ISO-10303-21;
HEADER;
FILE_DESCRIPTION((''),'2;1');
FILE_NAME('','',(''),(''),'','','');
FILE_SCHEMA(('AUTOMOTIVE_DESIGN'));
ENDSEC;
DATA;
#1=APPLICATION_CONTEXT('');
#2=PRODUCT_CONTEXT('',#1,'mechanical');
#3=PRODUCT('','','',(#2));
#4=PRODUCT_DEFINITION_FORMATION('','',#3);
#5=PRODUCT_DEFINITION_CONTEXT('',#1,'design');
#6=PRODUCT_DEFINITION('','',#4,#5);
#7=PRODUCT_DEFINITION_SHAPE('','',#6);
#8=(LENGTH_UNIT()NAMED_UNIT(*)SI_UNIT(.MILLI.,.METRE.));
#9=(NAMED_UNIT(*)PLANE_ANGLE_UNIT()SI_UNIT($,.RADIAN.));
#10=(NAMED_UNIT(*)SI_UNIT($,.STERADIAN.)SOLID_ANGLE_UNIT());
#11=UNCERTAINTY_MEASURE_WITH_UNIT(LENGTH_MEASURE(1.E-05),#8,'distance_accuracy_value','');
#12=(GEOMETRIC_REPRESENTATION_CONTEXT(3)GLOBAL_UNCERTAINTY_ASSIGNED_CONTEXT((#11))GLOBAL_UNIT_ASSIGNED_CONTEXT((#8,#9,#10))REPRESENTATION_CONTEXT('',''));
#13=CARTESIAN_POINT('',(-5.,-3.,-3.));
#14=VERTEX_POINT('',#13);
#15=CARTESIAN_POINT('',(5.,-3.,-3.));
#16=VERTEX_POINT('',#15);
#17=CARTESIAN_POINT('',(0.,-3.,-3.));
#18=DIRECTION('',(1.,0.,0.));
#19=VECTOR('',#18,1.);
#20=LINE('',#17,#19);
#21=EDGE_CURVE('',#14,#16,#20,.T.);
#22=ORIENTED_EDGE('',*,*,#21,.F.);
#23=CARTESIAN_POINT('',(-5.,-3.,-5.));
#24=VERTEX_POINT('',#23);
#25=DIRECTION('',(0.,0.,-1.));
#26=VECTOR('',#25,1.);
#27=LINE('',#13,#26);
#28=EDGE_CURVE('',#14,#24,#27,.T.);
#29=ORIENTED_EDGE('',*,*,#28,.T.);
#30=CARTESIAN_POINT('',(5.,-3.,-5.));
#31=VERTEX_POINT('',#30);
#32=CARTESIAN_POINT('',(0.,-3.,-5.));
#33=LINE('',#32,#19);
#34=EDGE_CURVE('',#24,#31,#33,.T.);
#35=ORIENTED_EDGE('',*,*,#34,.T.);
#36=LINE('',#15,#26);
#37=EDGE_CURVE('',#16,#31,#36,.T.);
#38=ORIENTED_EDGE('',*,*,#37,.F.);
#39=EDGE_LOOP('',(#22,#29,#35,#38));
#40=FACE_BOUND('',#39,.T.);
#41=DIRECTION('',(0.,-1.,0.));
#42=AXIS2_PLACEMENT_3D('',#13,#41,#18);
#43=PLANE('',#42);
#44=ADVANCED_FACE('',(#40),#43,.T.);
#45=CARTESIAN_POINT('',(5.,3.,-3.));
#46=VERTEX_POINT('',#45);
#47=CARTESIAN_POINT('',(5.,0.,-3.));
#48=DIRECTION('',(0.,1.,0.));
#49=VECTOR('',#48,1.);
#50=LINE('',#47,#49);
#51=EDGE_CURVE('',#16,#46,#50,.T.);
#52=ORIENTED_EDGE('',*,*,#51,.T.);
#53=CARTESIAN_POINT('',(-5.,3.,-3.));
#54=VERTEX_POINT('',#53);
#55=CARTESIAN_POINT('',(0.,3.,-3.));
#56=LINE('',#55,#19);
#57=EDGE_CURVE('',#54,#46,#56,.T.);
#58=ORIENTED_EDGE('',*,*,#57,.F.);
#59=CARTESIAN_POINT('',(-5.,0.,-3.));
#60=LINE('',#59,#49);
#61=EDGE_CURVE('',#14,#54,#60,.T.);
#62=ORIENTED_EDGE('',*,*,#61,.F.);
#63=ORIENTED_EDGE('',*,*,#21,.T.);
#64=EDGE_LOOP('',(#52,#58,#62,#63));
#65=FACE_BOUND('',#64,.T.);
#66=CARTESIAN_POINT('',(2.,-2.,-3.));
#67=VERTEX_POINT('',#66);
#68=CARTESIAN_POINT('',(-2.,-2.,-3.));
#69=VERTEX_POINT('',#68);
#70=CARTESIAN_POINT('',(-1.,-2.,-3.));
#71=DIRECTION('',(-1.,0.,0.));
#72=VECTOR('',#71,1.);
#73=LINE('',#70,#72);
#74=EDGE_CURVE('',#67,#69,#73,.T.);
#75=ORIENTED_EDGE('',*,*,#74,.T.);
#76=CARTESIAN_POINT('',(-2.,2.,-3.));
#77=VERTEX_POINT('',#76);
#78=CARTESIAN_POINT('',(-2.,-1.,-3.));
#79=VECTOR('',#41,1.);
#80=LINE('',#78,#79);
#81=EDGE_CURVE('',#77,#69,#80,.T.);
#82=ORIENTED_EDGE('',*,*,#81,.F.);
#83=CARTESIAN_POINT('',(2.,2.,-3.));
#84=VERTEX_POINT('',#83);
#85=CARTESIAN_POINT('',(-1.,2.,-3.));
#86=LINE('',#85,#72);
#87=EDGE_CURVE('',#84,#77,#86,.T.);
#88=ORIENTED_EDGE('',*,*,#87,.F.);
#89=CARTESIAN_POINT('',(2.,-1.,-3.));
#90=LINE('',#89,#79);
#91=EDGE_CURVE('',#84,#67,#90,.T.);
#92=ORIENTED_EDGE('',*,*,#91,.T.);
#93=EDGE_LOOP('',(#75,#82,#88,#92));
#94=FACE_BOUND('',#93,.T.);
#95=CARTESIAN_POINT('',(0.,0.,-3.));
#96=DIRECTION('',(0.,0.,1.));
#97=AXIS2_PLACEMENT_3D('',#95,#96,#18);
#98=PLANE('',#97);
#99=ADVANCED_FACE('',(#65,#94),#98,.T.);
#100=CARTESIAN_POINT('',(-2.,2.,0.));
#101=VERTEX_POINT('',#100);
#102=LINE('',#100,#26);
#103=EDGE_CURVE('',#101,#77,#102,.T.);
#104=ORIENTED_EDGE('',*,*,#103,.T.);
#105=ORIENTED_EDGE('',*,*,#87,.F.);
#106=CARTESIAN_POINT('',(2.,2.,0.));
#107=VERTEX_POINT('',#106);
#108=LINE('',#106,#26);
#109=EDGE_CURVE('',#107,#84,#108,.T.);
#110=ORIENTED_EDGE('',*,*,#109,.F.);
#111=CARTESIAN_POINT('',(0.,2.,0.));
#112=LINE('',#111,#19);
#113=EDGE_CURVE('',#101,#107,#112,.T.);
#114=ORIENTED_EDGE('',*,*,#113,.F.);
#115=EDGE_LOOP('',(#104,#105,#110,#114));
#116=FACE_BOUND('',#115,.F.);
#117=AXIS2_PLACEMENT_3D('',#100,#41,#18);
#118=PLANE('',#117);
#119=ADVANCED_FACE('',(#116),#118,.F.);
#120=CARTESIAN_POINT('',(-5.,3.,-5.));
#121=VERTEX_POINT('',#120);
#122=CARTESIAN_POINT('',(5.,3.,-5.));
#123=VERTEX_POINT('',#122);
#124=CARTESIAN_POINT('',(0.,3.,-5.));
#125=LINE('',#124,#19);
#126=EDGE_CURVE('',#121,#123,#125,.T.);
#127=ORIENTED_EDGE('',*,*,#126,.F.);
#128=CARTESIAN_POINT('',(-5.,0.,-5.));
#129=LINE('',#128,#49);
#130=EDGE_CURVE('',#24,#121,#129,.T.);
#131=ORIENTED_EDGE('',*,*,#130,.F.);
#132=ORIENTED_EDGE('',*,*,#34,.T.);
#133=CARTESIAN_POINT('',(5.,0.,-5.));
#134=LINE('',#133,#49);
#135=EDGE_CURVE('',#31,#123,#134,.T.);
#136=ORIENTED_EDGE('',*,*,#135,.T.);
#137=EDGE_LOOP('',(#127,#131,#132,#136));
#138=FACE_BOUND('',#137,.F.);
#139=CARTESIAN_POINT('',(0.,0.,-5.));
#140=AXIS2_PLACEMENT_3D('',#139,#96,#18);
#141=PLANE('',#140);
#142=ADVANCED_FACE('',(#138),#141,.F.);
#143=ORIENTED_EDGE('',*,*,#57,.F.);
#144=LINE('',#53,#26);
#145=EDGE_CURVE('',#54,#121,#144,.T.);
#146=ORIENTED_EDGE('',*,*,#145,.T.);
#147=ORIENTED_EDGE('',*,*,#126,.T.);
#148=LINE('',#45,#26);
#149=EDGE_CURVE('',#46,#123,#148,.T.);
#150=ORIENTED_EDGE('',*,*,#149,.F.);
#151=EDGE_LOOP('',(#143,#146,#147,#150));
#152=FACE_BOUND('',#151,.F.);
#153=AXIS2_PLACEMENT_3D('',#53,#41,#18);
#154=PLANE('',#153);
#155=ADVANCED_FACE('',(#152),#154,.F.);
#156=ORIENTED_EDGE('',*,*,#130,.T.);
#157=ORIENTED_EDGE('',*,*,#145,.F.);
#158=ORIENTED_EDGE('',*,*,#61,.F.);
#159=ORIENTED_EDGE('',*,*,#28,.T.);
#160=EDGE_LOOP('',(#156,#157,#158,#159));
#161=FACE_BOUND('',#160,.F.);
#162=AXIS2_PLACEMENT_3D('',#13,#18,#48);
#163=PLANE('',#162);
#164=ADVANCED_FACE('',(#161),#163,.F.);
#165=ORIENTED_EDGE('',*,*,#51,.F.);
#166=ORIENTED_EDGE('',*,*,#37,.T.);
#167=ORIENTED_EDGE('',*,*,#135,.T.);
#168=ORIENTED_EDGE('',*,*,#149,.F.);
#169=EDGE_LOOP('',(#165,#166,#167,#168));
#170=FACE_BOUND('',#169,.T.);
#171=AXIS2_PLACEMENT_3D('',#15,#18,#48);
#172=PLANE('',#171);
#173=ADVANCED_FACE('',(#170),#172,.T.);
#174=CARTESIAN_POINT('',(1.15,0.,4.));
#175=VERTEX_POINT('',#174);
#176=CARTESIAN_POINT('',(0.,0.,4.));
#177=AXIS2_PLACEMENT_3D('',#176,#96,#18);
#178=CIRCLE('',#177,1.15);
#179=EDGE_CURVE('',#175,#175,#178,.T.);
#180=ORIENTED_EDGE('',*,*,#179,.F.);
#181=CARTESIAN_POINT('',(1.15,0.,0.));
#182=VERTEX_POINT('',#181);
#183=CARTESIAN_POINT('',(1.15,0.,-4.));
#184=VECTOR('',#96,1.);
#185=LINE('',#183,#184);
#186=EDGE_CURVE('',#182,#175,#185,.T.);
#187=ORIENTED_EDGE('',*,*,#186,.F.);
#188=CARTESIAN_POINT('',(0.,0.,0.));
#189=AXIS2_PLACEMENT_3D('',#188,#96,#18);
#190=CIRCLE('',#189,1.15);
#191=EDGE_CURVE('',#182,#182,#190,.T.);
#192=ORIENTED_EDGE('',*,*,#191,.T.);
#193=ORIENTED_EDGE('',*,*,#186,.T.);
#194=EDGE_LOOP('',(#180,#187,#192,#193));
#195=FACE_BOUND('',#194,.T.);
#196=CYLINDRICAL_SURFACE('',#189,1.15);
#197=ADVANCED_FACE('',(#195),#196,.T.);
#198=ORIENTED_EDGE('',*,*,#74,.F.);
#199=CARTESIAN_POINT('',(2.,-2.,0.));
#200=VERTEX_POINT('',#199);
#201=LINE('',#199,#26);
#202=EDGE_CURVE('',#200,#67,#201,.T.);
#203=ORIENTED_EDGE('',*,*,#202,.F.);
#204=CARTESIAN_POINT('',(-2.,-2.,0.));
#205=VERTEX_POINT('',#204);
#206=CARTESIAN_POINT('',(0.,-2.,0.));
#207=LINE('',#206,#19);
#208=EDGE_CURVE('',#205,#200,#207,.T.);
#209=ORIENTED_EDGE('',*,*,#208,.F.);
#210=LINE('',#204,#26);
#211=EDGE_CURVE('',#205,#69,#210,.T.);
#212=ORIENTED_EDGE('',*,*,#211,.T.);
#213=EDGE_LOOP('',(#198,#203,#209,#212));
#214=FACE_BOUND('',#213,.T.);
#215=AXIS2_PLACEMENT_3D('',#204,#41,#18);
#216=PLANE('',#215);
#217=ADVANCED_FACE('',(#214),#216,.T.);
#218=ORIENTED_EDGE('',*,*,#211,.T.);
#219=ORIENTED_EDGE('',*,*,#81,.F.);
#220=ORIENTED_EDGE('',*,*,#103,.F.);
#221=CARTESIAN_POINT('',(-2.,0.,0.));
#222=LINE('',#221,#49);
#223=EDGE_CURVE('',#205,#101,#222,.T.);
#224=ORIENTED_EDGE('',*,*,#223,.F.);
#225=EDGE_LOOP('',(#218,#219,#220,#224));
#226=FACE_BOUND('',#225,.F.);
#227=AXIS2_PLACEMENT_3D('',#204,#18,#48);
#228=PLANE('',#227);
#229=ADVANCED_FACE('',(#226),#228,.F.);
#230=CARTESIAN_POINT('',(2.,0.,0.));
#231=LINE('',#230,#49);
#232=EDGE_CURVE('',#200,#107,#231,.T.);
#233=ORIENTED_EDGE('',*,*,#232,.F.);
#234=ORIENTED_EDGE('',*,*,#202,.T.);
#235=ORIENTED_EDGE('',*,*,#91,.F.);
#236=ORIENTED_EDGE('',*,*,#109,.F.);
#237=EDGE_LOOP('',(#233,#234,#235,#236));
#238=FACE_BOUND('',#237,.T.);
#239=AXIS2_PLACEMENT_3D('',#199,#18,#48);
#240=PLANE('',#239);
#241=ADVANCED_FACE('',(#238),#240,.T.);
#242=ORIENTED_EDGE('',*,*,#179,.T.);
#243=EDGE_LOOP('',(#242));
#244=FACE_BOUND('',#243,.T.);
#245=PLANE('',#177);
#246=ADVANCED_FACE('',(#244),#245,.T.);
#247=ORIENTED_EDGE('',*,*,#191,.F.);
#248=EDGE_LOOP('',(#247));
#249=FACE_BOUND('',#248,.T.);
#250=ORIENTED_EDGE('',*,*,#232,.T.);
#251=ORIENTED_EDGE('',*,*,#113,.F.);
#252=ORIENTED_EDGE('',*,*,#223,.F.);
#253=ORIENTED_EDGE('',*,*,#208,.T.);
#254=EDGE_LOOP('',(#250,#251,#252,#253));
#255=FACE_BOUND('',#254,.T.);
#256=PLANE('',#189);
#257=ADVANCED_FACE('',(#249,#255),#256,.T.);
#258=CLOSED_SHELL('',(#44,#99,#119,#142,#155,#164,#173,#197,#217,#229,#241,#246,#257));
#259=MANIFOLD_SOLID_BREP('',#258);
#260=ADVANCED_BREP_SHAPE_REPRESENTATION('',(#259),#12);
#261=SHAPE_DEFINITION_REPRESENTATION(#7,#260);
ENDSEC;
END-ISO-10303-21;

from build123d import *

# Parameters (mm, degrees)
F0_R     = 1.15
F1_DEPTH = 4
F0_W     = 4
F0_H     = 4
F2_DEPTH = 3.2
F4_START = -3
F3_W     = 10
F3_H     = 6
F4_DEPTH = 2


with BuildPart() as f1:
    # F0 (on Top) → F1 (new body, symmetric)
    with BuildSketch(Plane.XY):
        Circle(F0_R)
    extrude(amount=F1_DEPTH, both=True)

    # F0 (on Top) → F2 (join)
    with BuildSketch(Plane.XY):
        Rectangle(F0_W, F0_H)
        Circle(F0_R, mode=Mode.SUBTRACT)
        Circle(F0_R)
    extrude(amount=-F2_DEPTH)

    # F3 (on Top) → F4 (join)
    with BuildSketch(Plane.XY.offset(F4_START)):
        Rectangle(F3_W, F3_H)
    extrude(amount=-F4_DEPTH)


solid = f1.part
